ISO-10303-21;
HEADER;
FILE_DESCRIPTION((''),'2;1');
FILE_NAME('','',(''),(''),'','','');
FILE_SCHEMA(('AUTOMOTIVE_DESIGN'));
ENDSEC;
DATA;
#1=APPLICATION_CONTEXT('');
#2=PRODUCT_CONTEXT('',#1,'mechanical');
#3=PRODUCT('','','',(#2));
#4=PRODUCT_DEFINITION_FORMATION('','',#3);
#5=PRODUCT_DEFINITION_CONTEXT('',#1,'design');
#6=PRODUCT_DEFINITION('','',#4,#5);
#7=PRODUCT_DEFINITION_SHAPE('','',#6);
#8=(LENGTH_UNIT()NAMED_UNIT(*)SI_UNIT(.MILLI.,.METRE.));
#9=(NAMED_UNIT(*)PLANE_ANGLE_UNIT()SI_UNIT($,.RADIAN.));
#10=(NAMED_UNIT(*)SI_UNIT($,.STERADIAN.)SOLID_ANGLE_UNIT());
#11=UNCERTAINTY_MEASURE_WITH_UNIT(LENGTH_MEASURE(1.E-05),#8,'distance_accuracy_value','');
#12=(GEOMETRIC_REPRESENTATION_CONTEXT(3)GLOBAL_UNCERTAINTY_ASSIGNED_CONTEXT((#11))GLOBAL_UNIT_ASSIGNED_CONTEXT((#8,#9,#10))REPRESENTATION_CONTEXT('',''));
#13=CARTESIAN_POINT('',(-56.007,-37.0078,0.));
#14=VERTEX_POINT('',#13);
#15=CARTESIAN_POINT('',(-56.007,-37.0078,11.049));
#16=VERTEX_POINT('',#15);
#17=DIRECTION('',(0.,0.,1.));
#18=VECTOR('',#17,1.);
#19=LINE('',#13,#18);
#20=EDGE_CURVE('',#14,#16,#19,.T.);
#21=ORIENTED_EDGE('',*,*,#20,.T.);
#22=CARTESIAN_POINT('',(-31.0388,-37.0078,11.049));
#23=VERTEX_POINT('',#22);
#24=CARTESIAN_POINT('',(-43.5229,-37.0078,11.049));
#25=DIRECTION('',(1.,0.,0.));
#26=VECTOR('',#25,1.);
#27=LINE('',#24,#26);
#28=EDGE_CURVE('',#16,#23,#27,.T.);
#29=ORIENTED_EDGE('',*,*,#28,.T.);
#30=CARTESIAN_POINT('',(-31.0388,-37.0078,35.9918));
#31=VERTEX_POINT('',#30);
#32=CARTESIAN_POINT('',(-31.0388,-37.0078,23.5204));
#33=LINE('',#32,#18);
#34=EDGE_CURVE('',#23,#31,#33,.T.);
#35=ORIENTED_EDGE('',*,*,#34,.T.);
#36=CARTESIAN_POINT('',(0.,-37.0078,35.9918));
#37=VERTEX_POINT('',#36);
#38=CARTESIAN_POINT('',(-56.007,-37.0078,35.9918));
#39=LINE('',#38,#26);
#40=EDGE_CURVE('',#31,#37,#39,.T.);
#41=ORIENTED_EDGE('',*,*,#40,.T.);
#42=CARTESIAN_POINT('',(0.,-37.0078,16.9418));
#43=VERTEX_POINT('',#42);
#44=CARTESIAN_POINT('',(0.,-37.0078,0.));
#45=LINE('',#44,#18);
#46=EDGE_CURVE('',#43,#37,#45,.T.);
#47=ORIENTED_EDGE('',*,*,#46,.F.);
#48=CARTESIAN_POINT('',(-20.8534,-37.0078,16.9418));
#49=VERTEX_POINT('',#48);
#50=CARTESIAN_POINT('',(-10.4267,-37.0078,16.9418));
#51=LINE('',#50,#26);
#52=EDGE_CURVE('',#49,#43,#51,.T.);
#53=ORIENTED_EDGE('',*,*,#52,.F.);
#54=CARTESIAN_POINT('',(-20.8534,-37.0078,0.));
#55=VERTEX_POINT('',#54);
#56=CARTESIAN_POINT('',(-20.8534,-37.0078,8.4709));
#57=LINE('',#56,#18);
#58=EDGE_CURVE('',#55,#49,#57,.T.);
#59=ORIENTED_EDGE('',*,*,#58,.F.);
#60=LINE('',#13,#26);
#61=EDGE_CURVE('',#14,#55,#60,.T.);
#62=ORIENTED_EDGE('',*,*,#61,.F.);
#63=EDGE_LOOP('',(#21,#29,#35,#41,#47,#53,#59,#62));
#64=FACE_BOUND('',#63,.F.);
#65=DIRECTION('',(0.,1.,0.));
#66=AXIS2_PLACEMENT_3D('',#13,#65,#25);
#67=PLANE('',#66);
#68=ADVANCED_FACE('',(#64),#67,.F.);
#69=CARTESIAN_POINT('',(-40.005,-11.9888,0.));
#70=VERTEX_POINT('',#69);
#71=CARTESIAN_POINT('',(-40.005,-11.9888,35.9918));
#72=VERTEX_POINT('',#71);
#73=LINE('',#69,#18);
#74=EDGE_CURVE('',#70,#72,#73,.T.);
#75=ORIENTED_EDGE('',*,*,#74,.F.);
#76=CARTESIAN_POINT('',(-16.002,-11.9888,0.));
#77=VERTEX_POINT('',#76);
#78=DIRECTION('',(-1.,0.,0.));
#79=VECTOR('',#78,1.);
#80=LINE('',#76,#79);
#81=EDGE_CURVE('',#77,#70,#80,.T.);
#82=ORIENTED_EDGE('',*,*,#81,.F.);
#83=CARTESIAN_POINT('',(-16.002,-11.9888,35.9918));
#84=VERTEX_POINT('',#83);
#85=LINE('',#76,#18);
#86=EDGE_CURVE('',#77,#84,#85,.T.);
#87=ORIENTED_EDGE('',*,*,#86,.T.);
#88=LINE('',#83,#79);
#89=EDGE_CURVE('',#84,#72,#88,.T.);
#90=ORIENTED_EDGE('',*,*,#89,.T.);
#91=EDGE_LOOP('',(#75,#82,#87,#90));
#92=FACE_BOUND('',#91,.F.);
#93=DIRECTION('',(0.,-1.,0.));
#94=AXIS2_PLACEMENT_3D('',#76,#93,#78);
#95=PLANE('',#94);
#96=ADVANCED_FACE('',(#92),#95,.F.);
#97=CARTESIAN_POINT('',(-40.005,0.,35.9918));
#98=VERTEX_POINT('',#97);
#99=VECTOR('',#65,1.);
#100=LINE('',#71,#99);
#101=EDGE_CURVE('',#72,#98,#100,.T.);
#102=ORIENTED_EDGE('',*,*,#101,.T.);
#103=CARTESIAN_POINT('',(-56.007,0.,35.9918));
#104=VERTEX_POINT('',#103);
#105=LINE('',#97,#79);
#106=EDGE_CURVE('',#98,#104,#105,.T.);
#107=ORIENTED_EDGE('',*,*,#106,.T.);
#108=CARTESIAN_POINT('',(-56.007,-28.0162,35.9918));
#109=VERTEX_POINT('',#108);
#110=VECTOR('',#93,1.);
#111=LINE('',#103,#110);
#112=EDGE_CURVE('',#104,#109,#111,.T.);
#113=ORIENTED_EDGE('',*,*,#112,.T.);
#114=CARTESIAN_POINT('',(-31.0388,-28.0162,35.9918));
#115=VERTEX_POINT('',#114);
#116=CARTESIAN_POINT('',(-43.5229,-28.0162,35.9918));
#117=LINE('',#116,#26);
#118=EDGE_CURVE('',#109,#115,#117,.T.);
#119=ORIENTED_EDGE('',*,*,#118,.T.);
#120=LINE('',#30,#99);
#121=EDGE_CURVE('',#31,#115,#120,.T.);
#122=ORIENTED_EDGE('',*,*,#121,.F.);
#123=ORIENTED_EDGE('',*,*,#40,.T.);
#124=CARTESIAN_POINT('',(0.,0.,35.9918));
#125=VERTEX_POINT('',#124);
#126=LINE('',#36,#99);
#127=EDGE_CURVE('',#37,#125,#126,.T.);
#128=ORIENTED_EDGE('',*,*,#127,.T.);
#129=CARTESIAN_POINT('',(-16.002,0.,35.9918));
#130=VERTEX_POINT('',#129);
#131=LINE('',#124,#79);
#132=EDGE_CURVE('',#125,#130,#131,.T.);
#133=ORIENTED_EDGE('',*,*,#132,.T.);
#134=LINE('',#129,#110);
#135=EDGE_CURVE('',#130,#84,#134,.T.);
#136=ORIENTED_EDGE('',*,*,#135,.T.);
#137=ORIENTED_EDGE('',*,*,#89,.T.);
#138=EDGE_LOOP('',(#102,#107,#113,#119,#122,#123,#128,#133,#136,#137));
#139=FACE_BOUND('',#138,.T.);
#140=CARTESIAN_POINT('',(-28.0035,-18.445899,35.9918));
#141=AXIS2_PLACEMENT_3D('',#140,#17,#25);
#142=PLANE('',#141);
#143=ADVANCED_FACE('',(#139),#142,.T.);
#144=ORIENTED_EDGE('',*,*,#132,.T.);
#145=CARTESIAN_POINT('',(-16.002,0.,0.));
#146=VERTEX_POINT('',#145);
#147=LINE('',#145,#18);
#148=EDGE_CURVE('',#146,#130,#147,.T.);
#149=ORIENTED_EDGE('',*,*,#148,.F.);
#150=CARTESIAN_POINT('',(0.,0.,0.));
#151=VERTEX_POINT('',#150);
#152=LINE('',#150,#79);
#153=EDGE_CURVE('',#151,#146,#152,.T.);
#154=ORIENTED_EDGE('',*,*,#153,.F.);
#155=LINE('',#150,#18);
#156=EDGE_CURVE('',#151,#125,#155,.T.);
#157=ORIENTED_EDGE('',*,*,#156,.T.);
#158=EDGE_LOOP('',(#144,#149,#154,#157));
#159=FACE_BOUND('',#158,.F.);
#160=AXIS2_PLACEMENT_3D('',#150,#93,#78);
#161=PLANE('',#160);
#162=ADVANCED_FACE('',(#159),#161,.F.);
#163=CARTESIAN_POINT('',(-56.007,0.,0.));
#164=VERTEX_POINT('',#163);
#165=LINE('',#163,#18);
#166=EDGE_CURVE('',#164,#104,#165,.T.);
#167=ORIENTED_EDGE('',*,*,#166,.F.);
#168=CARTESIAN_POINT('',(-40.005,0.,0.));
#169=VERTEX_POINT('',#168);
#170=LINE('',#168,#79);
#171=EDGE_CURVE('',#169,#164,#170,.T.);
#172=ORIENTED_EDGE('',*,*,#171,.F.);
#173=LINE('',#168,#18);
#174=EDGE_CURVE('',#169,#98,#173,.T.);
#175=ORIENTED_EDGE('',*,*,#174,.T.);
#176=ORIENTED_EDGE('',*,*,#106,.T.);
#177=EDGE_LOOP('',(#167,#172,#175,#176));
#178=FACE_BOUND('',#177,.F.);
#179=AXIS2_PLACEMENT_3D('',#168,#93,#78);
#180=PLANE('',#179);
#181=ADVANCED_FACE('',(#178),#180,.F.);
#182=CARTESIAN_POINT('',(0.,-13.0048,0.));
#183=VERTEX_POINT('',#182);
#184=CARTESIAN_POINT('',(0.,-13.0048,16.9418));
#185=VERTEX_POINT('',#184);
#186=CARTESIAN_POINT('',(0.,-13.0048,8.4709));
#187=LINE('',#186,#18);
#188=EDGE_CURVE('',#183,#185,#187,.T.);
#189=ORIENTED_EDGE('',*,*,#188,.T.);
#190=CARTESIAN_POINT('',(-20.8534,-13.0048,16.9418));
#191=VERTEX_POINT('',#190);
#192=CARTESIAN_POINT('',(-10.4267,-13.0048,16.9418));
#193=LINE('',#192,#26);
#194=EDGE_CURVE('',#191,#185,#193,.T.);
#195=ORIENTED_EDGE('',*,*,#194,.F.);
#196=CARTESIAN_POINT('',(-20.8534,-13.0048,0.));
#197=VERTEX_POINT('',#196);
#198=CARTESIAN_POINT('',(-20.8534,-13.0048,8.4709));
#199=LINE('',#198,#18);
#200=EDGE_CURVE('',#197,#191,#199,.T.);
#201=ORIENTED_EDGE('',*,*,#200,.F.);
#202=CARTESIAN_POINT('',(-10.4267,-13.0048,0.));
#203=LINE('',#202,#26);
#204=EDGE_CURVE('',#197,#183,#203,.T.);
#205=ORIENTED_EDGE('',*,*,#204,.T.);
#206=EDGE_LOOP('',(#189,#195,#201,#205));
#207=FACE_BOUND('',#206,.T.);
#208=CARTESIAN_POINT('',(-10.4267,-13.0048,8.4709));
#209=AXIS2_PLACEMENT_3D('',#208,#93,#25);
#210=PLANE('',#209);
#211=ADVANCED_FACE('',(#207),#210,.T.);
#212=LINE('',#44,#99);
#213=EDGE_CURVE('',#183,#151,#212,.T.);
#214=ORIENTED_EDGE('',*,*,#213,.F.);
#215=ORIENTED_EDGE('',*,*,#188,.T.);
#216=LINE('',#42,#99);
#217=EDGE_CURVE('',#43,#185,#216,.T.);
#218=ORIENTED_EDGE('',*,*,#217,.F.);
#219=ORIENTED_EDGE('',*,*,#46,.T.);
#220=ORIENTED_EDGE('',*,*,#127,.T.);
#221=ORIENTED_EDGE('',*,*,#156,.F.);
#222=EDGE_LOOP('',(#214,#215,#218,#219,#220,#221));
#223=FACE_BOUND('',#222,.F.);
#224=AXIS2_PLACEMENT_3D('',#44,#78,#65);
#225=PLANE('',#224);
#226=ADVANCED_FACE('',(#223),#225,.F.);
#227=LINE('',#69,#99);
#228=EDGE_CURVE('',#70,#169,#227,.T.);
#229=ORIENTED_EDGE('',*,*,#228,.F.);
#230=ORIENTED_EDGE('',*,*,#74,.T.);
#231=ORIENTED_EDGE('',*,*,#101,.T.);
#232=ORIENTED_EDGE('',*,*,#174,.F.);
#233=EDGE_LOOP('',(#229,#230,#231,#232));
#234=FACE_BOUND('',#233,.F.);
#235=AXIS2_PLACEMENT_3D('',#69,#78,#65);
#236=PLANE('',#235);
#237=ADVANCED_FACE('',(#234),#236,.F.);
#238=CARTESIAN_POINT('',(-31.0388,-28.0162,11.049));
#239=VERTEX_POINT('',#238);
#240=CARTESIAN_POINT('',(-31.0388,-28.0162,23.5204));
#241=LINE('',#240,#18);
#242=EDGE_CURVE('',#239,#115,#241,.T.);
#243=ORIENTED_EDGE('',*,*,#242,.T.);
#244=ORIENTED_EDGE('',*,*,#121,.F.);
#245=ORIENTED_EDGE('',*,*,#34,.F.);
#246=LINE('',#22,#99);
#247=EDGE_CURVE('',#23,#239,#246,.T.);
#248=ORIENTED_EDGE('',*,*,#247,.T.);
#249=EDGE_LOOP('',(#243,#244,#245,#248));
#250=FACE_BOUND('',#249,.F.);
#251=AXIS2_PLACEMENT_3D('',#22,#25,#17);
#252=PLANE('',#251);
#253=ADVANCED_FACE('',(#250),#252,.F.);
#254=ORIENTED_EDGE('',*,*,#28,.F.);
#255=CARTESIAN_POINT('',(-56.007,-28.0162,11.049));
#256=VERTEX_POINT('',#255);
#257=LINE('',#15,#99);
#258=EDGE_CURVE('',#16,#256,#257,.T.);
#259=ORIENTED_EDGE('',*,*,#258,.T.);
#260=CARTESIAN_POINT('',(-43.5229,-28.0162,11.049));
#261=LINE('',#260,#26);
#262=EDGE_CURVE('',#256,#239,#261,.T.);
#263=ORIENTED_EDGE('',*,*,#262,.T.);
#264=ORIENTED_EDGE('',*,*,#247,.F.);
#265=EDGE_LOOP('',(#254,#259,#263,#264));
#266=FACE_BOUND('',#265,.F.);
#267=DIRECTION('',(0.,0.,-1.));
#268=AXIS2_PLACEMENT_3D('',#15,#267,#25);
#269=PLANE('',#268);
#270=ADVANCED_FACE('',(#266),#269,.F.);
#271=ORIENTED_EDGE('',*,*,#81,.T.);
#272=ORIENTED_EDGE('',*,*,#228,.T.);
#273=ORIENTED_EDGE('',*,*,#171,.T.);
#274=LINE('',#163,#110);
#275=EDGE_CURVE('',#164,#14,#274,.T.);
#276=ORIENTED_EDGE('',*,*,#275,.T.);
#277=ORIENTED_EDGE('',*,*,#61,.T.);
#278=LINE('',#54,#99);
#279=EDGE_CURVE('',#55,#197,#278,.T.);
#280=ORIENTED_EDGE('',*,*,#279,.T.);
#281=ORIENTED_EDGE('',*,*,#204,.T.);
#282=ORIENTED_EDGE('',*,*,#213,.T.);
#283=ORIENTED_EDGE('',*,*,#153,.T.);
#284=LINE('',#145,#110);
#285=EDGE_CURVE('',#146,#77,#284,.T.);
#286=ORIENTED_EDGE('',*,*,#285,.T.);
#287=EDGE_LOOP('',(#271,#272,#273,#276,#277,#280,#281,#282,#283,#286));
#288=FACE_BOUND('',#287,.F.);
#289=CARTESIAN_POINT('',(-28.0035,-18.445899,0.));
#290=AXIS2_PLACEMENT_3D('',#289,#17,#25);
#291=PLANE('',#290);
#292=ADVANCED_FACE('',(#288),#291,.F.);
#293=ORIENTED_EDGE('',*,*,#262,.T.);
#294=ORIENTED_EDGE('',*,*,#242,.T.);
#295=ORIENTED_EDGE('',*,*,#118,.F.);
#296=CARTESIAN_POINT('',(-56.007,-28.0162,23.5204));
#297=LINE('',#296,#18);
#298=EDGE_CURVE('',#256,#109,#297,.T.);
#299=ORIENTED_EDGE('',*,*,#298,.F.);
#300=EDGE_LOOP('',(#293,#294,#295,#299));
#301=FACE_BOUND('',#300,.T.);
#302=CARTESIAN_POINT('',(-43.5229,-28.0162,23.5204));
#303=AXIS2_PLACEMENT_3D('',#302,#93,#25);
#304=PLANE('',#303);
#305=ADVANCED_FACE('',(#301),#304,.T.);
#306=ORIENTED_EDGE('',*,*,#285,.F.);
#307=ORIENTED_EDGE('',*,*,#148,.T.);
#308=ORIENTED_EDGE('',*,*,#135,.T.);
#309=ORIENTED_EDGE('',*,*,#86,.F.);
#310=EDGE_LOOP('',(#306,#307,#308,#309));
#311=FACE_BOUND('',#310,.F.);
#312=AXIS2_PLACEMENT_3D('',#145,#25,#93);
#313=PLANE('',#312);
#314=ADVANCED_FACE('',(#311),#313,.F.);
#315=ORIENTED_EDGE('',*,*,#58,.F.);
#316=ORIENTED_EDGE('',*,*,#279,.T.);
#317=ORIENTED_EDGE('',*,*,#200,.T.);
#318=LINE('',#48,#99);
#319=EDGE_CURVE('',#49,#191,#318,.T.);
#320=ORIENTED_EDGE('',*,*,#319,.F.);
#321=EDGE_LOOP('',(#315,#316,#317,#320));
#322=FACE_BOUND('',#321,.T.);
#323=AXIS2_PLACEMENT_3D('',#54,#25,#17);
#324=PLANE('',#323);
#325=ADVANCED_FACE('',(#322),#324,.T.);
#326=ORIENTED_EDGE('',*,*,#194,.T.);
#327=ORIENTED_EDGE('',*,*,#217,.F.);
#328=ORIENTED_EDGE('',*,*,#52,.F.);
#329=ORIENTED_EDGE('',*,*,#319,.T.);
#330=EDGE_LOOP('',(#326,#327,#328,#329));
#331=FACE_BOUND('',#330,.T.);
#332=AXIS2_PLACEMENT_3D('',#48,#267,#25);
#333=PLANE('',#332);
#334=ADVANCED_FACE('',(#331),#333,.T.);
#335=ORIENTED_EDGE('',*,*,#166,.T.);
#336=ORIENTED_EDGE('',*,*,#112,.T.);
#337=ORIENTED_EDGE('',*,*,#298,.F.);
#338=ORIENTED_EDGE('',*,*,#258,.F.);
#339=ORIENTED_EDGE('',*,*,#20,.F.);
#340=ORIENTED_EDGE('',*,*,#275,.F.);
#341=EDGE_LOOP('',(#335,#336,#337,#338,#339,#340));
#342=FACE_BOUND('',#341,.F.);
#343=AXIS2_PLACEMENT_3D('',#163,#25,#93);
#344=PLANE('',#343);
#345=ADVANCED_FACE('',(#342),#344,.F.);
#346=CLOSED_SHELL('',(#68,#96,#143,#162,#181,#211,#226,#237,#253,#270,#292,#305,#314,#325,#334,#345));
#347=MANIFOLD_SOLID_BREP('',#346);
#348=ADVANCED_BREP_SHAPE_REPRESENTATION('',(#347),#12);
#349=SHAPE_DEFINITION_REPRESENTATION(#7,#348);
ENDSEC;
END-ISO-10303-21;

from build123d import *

# Parameters (mm, degrees)
F1_DEPTH = 35.9918
F2_W     = 24.9682
F2_H     = 24.9428
F3_DEPTH = 8.9916
F4_W     = 20.8534
F4_H     = 16.9418
F5_DEPTH = 24.003


with BuildPart() as f1:
    # F0 (on Top) → F1 (new body)
    with BuildSketch(Plane.XY):
        Polygon((0, -37.0078), (0, 0), (-16.002, 0), (-16.002, -11.9888), (-40.005, -11.9888), (-40.005, 0), (-56.007, 0), (-56.007, -37.0078), align=None)
    extrude(amount=F1_DEPTH)

    # F2 (on face) → F3 (cut)
    with BuildSketch(Plane.XZ.offset(37.0078)):
        with Locations((-43.5229, 23.5204)):
            Rectangle(F2_W, F2_H)
    extrude(amount=-F3_DEPTH, mode=Mode.SUBTRACT)

    # F4 (on face) → F5 (cut)
    with BuildSketch(Plane.XZ.offset(37.0078)):
        with Locations((-10.4267, 8.4709)):
            Rectangle(F4_W, F4_H)
    extrude(amount=-F5_DEPTH, mode=Mode.SUBTRACT)


solid = f1.part
